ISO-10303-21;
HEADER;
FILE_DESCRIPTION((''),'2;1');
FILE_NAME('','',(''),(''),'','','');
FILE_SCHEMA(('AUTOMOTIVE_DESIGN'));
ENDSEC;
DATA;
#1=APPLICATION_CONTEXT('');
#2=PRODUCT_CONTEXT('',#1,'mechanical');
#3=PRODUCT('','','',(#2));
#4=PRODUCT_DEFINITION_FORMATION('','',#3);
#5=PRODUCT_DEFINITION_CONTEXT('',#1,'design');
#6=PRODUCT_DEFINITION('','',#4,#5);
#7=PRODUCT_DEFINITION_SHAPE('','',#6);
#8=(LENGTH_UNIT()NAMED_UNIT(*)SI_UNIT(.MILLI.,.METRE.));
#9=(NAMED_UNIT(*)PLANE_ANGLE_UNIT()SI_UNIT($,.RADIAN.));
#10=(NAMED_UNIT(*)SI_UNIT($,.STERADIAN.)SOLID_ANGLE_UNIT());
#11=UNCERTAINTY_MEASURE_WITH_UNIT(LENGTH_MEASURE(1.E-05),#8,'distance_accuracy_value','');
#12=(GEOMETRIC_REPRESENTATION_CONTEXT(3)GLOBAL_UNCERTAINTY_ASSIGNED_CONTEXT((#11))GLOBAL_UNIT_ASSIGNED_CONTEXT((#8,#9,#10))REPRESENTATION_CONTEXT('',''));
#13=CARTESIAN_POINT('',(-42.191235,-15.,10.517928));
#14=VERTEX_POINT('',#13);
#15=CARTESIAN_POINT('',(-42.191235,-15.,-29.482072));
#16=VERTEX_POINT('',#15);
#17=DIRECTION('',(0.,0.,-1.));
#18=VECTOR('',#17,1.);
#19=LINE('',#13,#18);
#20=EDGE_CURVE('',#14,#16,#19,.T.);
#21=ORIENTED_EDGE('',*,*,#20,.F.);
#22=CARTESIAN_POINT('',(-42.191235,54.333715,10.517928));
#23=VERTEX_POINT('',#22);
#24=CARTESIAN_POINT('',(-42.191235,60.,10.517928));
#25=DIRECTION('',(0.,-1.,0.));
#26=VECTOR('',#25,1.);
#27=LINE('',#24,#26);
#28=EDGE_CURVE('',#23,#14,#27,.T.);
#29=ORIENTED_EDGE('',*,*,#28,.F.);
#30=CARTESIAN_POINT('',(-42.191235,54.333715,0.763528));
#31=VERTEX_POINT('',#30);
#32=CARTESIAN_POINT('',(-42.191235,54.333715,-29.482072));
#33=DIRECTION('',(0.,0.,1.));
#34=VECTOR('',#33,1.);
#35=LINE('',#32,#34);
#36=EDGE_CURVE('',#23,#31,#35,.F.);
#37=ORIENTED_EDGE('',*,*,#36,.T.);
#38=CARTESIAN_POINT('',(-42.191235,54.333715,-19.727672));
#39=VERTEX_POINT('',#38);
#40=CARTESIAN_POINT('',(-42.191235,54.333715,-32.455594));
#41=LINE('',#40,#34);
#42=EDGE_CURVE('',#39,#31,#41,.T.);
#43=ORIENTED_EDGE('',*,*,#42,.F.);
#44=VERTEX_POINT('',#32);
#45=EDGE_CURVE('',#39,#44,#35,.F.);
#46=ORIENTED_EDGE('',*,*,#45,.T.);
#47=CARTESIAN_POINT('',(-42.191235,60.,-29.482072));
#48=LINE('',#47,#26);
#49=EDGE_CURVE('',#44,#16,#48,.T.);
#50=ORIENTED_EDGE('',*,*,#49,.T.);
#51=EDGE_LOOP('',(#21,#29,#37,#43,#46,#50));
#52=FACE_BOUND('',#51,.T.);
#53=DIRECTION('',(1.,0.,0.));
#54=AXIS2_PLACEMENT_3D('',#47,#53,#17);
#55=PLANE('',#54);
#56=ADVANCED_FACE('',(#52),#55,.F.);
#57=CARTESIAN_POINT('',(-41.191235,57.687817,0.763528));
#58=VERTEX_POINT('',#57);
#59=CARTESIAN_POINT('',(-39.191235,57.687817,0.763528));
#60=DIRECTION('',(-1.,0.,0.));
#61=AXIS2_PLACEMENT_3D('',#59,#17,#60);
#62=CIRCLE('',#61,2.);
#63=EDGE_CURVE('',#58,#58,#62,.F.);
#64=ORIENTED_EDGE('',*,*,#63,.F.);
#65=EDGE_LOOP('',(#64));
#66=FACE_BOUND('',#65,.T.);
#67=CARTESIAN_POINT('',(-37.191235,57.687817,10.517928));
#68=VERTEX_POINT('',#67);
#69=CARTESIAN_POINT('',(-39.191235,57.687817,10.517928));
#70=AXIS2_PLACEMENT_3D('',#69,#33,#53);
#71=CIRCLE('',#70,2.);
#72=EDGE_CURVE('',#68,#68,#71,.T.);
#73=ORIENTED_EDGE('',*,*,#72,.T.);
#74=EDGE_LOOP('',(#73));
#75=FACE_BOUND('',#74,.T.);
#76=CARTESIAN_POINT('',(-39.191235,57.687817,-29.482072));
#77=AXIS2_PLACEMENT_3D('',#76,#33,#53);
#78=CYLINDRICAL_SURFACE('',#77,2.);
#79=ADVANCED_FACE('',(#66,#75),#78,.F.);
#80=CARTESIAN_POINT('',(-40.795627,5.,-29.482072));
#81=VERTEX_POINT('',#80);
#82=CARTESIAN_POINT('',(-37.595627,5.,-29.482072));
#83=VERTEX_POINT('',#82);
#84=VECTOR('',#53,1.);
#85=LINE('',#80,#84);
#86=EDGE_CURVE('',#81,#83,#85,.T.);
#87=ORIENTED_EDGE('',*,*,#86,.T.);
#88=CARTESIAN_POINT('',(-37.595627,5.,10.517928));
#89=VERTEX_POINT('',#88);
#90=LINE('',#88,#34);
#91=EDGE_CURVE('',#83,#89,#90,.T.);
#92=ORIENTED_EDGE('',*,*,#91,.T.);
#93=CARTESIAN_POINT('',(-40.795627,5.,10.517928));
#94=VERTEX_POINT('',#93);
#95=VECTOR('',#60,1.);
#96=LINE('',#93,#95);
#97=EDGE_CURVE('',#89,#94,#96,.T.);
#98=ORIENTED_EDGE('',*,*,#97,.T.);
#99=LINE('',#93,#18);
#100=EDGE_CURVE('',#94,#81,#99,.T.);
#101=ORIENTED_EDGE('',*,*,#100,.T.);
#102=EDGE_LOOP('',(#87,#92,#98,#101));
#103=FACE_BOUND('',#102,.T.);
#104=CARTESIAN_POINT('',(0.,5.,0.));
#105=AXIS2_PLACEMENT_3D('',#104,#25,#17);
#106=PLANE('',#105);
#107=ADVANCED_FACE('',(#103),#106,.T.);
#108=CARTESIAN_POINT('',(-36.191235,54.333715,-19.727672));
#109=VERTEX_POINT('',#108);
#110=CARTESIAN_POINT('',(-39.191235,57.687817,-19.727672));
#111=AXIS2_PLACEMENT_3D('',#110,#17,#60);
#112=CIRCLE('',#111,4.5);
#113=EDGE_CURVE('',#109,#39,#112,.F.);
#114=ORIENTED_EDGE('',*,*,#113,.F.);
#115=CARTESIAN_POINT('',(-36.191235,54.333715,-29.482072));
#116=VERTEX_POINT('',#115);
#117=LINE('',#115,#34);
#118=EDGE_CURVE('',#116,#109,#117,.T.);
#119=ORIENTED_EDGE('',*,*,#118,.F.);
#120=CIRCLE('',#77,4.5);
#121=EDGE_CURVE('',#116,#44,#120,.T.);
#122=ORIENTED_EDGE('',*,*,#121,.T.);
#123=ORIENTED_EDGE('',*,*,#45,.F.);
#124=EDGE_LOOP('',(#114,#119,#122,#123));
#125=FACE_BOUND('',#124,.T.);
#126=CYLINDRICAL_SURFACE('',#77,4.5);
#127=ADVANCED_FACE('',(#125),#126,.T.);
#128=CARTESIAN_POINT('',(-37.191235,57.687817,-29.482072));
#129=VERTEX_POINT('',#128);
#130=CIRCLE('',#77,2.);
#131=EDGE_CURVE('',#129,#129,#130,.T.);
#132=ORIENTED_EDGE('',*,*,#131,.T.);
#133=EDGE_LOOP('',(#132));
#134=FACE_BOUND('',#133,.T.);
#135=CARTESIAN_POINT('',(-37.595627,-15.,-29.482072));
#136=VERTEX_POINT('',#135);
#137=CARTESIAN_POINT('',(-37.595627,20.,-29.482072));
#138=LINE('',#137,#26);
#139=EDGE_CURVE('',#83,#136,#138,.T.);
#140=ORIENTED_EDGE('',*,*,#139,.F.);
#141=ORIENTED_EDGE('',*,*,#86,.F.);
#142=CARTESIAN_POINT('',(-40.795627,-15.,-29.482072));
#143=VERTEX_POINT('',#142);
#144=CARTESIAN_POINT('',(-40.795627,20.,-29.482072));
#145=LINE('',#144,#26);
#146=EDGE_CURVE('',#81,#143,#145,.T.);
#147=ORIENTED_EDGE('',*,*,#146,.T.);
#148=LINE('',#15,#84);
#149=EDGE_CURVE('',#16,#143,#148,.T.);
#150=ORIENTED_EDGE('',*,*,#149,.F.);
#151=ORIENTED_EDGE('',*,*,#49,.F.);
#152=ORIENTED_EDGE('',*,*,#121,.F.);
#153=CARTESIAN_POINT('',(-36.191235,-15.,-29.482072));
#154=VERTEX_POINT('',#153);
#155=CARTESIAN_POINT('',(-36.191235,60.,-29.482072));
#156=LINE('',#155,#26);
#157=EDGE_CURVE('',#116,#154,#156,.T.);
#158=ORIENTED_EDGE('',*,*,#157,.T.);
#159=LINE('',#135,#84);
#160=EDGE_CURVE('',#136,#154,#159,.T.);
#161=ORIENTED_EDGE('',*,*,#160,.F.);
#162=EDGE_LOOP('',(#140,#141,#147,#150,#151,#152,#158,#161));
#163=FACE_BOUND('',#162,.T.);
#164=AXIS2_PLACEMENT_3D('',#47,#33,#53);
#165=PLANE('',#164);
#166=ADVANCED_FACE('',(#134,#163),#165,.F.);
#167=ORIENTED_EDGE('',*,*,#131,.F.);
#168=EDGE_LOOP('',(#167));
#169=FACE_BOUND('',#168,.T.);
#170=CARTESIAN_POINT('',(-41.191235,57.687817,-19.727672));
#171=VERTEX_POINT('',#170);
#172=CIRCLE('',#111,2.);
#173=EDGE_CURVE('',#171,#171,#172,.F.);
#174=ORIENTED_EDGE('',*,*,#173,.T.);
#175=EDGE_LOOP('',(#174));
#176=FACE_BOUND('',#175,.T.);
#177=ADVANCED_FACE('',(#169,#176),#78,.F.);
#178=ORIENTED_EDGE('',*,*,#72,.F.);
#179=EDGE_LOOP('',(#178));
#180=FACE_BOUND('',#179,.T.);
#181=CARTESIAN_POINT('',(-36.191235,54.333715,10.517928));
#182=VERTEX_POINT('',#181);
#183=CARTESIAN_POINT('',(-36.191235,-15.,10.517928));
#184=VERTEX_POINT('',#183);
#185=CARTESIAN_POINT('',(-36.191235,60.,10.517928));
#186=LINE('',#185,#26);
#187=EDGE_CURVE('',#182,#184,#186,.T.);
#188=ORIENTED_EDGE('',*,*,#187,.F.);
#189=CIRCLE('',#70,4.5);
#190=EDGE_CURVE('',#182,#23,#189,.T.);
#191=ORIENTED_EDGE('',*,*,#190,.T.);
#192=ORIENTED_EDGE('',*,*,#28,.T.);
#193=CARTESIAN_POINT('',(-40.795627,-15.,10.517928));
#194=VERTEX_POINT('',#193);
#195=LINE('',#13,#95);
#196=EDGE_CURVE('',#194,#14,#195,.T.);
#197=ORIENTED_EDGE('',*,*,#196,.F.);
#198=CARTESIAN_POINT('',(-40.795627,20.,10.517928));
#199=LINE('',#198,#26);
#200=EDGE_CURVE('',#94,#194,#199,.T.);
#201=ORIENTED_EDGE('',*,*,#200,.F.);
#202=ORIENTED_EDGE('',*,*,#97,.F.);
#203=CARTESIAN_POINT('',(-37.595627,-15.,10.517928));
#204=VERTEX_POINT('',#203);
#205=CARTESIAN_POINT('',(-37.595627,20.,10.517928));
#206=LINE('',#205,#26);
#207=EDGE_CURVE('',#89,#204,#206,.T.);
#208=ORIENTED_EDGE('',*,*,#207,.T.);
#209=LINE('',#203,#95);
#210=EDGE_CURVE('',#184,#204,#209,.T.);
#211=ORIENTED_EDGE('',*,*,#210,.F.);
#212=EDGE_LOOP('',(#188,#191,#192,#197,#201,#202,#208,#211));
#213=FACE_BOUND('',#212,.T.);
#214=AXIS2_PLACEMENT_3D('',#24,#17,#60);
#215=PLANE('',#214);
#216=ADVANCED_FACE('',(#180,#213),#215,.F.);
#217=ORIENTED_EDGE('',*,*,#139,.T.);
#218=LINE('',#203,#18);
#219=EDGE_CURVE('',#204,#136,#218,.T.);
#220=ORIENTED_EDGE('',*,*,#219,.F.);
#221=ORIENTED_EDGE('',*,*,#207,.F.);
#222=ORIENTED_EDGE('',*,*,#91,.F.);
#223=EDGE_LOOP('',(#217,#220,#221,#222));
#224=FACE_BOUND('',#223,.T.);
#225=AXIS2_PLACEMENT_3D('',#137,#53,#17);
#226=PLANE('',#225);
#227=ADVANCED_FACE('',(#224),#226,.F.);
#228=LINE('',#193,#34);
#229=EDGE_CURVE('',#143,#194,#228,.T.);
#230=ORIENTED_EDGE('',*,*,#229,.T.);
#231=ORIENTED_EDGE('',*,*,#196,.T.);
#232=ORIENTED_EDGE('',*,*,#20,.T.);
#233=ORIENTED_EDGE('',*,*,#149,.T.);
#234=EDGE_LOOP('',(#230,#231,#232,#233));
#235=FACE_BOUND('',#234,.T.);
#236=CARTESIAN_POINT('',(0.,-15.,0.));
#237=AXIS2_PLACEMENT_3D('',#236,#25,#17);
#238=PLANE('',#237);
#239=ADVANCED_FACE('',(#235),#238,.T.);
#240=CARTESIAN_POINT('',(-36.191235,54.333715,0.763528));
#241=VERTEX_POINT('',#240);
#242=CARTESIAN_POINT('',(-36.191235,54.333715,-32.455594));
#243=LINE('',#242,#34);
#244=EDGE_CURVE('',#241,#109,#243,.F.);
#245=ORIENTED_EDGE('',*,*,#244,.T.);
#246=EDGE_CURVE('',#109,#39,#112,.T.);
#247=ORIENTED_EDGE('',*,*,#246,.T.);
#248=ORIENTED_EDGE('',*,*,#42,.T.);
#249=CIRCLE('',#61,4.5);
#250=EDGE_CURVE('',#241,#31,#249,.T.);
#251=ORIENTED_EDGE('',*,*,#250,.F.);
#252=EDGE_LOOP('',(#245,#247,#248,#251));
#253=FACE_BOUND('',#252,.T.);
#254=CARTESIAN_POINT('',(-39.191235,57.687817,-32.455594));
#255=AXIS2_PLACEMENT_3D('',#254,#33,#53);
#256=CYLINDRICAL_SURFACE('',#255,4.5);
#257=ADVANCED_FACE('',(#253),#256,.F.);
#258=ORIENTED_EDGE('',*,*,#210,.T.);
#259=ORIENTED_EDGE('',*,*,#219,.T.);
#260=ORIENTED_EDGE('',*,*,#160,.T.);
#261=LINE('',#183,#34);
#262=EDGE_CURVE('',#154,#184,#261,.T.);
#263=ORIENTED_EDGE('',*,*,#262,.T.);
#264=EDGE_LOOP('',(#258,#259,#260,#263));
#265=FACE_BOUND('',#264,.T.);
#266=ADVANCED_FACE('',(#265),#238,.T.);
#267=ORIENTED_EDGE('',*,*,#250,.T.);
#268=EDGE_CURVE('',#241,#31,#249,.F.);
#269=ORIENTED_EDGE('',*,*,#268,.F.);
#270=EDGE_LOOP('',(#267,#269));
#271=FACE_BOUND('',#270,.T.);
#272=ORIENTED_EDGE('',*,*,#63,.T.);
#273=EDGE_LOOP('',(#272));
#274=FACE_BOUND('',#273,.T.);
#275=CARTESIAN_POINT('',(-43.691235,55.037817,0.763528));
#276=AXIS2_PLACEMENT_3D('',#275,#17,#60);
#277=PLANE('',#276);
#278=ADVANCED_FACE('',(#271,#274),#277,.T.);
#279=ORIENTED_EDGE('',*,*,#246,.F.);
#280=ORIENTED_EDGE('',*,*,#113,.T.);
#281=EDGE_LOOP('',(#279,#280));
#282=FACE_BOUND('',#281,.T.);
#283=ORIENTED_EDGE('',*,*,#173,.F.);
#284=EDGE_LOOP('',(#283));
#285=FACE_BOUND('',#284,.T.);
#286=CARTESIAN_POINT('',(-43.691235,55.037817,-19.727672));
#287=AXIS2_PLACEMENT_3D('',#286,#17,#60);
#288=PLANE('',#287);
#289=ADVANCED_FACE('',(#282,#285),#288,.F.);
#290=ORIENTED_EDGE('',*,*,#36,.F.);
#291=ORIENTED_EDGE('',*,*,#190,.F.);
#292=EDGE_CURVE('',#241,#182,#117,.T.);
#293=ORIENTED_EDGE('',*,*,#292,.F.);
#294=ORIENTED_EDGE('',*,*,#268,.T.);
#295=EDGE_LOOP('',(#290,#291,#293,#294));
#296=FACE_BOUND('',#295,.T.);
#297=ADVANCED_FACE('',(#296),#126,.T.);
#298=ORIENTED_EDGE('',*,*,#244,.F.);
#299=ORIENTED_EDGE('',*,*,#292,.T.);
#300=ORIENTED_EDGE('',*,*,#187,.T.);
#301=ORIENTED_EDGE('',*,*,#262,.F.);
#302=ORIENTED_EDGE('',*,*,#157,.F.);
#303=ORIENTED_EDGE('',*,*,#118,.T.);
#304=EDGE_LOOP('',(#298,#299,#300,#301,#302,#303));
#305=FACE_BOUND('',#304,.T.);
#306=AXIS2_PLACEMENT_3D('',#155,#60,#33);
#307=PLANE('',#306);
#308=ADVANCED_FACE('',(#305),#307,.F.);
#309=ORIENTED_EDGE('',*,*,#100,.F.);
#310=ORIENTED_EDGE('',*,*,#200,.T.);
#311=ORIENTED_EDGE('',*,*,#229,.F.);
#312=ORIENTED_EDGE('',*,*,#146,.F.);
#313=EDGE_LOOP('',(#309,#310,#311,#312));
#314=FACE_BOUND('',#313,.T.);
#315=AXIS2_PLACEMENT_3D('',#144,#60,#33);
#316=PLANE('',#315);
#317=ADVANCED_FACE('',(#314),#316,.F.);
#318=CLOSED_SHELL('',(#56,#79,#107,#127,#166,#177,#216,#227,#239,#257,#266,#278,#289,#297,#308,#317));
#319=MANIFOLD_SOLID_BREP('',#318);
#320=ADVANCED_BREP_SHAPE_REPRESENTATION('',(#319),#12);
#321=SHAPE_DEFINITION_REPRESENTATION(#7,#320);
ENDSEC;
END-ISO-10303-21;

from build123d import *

# Parameters (mm, degrees)
SKETCH1_W               = 6
SKETCH1_H               = 40
BOSS_EXTRUDE1_DEPTH     = 60
SKETCH2_W               = 3.2
SKETCH2_H               = 40
CUT_EXTRUDE2_DEPTH      = 20
SKETCH3_R               = 2
CUT_EXTRUDE3_DEPTH      = 1
CUT_EXTRUDE3_DEPTH_BACK = 41
SKETCH4_R               = 4.5
BOSS_EXTRUDE2_DEPTH     = 40
SKETCH6_R               = 2
CUT_EXTRUDE4_DEPTH      = 40
SKETCH7_W               = 20.491200394
SKETCH7_H               = 6.65
CUT_EXTRUDE5_DEPTH      = 2.5
CUT_EXTRUDE5_DEPTH_BACK = 8.5
SKETCH8_R               = 4.5
CUT_EXTRUDE6_DEPTH      = 20.4912
SKETCH9_W               = 1.395608407
SKETCH9_H               = 40
SKETCH9_W_2             = 1.404391593
BOSS_EXTRUDE3_DEPTH     = 15
SKETCH10_W              = 3.2
SKETCH10_H              = 40
BOSS_EXTRUDE4_DEPTH     = 15


with BuildPart() as part:
    # Sketch1 → Boss-Extrude1 (new body)
    with BuildSketch(Plane(origin=(0, 0, 0), x_dir=(1, 0, 0), z_dir=(0, 1, 0))):
        with Locations((-39.19123506, 9.482071713)):
            Rectangle(SKETCH1_W, SKETCH1_H)
    extrude(amount=BOSS_EXTRUDE1_DEPTH)

    # Sketch2 → Cut-Extrude2 (cut)
    with BuildSketch(Plane.XZ):
        with Locations((-39.195626653, -9.482071713)):
            Rectangle(SKETCH2_W, SKETCH2_H)
    extrude(amount=-CUT_EXTRUDE2_DEPTH, mode=Mode.SUBTRACT)

    # Sketch3 → Cut-Extrude3 (cut, two sides)
    with BuildSketch(Plane.XY.offset(10.517928287)) as cut_extrude3_sk:
        with Locations((-39.19123506, 57.687817086)):
            Circle(SKETCH3_R)
    extrude(amount=CUT_EXTRUDE3_DEPTH, mode=Mode.SUBTRACT)
    extrude(cut_extrude3_sk.sketch, amount=-CUT_EXTRUDE3_DEPTH_BACK, mode=Mode.SUBTRACT)

    # Sketch4 → Boss-Extrude2 (add)
    with BuildSketch(Plane.XY.offset(10.517928287)):
        with Locations((-39.19123506, 57.687817086)):
            Circle(SKETCH4_R)
    extrude(amount=-BOSS_EXTRUDE2_DEPTH)

    # Sketch6 → Cut-Extrude4 (cut)
    with BuildSketch(Plane.XY.offset(10.517928287)):
        with Locations((-39.19123506, 57.687817086)):
            Circle(SKETCH6_R)
    extrude(amount=-CUT_EXTRUDE4_DEPTH, mode=Mode.SUBTRACT)

    # Sketch7 → Cut-Extrude5 (cut, two sides)
    with BuildSketch(Plane(origin=(-36.19123506, 0, 0), x_dir=(0, 0, -1), z_dir=(1, 0, 0))) as cut_extrude5_sk:
        with Locations((9.482071713, 58.362817086)):
            Rectangle(SKETCH7_W, SKETCH7_H)
    extrude(amount=CUT_EXTRUDE5_DEPTH, mode=Mode.SUBTRACT)
    extrude(cut_extrude5_sk.sketch, amount=-CUT_EXTRUDE5_DEPTH_BACK, mode=Mode.SUBTRACT)

    # Sketch8 → Cut-Extrude6 (cut)
    with BuildSketch(Plane(origin=(0, 0, 0.763528484), x_dir=(-1, 0, 0), z_dir=(0, 0, -1))):
        with Locations((39.19123506, 57.687817086)):
            Circle(SKETCH8_R)
    extrude(amount=CUT_EXTRUDE6_DEPTH, mode=Mode.SUBTRACT)

    # Sketch9 → Boss-Extrude3 (add)
    with BuildSketch(Plane.XZ):
        with Locations((-41.493430856, -9.482071713)):
            Rectangle(SKETCH9_W, SKETCH9_H)
        with Locations((-36.893430857, -9.482071713)):
            Rectangle(SKETCH9_W_2, SKETCH9_H)
    extrude(amount=BOSS_EXTRUDE3_DEPTH)

    # Sketch10 → Boss-Extrude4 (add)
    with BuildSketch(Plane.XZ.offset(-20)):
        with Locations((-39.195626653, -9.482071713)):
            Rectangle(SKETCH10_W, SKETCH10_H)
    extrude(amount=BOSS_EXTRUDE4_DEPTH)


solid = part.part
